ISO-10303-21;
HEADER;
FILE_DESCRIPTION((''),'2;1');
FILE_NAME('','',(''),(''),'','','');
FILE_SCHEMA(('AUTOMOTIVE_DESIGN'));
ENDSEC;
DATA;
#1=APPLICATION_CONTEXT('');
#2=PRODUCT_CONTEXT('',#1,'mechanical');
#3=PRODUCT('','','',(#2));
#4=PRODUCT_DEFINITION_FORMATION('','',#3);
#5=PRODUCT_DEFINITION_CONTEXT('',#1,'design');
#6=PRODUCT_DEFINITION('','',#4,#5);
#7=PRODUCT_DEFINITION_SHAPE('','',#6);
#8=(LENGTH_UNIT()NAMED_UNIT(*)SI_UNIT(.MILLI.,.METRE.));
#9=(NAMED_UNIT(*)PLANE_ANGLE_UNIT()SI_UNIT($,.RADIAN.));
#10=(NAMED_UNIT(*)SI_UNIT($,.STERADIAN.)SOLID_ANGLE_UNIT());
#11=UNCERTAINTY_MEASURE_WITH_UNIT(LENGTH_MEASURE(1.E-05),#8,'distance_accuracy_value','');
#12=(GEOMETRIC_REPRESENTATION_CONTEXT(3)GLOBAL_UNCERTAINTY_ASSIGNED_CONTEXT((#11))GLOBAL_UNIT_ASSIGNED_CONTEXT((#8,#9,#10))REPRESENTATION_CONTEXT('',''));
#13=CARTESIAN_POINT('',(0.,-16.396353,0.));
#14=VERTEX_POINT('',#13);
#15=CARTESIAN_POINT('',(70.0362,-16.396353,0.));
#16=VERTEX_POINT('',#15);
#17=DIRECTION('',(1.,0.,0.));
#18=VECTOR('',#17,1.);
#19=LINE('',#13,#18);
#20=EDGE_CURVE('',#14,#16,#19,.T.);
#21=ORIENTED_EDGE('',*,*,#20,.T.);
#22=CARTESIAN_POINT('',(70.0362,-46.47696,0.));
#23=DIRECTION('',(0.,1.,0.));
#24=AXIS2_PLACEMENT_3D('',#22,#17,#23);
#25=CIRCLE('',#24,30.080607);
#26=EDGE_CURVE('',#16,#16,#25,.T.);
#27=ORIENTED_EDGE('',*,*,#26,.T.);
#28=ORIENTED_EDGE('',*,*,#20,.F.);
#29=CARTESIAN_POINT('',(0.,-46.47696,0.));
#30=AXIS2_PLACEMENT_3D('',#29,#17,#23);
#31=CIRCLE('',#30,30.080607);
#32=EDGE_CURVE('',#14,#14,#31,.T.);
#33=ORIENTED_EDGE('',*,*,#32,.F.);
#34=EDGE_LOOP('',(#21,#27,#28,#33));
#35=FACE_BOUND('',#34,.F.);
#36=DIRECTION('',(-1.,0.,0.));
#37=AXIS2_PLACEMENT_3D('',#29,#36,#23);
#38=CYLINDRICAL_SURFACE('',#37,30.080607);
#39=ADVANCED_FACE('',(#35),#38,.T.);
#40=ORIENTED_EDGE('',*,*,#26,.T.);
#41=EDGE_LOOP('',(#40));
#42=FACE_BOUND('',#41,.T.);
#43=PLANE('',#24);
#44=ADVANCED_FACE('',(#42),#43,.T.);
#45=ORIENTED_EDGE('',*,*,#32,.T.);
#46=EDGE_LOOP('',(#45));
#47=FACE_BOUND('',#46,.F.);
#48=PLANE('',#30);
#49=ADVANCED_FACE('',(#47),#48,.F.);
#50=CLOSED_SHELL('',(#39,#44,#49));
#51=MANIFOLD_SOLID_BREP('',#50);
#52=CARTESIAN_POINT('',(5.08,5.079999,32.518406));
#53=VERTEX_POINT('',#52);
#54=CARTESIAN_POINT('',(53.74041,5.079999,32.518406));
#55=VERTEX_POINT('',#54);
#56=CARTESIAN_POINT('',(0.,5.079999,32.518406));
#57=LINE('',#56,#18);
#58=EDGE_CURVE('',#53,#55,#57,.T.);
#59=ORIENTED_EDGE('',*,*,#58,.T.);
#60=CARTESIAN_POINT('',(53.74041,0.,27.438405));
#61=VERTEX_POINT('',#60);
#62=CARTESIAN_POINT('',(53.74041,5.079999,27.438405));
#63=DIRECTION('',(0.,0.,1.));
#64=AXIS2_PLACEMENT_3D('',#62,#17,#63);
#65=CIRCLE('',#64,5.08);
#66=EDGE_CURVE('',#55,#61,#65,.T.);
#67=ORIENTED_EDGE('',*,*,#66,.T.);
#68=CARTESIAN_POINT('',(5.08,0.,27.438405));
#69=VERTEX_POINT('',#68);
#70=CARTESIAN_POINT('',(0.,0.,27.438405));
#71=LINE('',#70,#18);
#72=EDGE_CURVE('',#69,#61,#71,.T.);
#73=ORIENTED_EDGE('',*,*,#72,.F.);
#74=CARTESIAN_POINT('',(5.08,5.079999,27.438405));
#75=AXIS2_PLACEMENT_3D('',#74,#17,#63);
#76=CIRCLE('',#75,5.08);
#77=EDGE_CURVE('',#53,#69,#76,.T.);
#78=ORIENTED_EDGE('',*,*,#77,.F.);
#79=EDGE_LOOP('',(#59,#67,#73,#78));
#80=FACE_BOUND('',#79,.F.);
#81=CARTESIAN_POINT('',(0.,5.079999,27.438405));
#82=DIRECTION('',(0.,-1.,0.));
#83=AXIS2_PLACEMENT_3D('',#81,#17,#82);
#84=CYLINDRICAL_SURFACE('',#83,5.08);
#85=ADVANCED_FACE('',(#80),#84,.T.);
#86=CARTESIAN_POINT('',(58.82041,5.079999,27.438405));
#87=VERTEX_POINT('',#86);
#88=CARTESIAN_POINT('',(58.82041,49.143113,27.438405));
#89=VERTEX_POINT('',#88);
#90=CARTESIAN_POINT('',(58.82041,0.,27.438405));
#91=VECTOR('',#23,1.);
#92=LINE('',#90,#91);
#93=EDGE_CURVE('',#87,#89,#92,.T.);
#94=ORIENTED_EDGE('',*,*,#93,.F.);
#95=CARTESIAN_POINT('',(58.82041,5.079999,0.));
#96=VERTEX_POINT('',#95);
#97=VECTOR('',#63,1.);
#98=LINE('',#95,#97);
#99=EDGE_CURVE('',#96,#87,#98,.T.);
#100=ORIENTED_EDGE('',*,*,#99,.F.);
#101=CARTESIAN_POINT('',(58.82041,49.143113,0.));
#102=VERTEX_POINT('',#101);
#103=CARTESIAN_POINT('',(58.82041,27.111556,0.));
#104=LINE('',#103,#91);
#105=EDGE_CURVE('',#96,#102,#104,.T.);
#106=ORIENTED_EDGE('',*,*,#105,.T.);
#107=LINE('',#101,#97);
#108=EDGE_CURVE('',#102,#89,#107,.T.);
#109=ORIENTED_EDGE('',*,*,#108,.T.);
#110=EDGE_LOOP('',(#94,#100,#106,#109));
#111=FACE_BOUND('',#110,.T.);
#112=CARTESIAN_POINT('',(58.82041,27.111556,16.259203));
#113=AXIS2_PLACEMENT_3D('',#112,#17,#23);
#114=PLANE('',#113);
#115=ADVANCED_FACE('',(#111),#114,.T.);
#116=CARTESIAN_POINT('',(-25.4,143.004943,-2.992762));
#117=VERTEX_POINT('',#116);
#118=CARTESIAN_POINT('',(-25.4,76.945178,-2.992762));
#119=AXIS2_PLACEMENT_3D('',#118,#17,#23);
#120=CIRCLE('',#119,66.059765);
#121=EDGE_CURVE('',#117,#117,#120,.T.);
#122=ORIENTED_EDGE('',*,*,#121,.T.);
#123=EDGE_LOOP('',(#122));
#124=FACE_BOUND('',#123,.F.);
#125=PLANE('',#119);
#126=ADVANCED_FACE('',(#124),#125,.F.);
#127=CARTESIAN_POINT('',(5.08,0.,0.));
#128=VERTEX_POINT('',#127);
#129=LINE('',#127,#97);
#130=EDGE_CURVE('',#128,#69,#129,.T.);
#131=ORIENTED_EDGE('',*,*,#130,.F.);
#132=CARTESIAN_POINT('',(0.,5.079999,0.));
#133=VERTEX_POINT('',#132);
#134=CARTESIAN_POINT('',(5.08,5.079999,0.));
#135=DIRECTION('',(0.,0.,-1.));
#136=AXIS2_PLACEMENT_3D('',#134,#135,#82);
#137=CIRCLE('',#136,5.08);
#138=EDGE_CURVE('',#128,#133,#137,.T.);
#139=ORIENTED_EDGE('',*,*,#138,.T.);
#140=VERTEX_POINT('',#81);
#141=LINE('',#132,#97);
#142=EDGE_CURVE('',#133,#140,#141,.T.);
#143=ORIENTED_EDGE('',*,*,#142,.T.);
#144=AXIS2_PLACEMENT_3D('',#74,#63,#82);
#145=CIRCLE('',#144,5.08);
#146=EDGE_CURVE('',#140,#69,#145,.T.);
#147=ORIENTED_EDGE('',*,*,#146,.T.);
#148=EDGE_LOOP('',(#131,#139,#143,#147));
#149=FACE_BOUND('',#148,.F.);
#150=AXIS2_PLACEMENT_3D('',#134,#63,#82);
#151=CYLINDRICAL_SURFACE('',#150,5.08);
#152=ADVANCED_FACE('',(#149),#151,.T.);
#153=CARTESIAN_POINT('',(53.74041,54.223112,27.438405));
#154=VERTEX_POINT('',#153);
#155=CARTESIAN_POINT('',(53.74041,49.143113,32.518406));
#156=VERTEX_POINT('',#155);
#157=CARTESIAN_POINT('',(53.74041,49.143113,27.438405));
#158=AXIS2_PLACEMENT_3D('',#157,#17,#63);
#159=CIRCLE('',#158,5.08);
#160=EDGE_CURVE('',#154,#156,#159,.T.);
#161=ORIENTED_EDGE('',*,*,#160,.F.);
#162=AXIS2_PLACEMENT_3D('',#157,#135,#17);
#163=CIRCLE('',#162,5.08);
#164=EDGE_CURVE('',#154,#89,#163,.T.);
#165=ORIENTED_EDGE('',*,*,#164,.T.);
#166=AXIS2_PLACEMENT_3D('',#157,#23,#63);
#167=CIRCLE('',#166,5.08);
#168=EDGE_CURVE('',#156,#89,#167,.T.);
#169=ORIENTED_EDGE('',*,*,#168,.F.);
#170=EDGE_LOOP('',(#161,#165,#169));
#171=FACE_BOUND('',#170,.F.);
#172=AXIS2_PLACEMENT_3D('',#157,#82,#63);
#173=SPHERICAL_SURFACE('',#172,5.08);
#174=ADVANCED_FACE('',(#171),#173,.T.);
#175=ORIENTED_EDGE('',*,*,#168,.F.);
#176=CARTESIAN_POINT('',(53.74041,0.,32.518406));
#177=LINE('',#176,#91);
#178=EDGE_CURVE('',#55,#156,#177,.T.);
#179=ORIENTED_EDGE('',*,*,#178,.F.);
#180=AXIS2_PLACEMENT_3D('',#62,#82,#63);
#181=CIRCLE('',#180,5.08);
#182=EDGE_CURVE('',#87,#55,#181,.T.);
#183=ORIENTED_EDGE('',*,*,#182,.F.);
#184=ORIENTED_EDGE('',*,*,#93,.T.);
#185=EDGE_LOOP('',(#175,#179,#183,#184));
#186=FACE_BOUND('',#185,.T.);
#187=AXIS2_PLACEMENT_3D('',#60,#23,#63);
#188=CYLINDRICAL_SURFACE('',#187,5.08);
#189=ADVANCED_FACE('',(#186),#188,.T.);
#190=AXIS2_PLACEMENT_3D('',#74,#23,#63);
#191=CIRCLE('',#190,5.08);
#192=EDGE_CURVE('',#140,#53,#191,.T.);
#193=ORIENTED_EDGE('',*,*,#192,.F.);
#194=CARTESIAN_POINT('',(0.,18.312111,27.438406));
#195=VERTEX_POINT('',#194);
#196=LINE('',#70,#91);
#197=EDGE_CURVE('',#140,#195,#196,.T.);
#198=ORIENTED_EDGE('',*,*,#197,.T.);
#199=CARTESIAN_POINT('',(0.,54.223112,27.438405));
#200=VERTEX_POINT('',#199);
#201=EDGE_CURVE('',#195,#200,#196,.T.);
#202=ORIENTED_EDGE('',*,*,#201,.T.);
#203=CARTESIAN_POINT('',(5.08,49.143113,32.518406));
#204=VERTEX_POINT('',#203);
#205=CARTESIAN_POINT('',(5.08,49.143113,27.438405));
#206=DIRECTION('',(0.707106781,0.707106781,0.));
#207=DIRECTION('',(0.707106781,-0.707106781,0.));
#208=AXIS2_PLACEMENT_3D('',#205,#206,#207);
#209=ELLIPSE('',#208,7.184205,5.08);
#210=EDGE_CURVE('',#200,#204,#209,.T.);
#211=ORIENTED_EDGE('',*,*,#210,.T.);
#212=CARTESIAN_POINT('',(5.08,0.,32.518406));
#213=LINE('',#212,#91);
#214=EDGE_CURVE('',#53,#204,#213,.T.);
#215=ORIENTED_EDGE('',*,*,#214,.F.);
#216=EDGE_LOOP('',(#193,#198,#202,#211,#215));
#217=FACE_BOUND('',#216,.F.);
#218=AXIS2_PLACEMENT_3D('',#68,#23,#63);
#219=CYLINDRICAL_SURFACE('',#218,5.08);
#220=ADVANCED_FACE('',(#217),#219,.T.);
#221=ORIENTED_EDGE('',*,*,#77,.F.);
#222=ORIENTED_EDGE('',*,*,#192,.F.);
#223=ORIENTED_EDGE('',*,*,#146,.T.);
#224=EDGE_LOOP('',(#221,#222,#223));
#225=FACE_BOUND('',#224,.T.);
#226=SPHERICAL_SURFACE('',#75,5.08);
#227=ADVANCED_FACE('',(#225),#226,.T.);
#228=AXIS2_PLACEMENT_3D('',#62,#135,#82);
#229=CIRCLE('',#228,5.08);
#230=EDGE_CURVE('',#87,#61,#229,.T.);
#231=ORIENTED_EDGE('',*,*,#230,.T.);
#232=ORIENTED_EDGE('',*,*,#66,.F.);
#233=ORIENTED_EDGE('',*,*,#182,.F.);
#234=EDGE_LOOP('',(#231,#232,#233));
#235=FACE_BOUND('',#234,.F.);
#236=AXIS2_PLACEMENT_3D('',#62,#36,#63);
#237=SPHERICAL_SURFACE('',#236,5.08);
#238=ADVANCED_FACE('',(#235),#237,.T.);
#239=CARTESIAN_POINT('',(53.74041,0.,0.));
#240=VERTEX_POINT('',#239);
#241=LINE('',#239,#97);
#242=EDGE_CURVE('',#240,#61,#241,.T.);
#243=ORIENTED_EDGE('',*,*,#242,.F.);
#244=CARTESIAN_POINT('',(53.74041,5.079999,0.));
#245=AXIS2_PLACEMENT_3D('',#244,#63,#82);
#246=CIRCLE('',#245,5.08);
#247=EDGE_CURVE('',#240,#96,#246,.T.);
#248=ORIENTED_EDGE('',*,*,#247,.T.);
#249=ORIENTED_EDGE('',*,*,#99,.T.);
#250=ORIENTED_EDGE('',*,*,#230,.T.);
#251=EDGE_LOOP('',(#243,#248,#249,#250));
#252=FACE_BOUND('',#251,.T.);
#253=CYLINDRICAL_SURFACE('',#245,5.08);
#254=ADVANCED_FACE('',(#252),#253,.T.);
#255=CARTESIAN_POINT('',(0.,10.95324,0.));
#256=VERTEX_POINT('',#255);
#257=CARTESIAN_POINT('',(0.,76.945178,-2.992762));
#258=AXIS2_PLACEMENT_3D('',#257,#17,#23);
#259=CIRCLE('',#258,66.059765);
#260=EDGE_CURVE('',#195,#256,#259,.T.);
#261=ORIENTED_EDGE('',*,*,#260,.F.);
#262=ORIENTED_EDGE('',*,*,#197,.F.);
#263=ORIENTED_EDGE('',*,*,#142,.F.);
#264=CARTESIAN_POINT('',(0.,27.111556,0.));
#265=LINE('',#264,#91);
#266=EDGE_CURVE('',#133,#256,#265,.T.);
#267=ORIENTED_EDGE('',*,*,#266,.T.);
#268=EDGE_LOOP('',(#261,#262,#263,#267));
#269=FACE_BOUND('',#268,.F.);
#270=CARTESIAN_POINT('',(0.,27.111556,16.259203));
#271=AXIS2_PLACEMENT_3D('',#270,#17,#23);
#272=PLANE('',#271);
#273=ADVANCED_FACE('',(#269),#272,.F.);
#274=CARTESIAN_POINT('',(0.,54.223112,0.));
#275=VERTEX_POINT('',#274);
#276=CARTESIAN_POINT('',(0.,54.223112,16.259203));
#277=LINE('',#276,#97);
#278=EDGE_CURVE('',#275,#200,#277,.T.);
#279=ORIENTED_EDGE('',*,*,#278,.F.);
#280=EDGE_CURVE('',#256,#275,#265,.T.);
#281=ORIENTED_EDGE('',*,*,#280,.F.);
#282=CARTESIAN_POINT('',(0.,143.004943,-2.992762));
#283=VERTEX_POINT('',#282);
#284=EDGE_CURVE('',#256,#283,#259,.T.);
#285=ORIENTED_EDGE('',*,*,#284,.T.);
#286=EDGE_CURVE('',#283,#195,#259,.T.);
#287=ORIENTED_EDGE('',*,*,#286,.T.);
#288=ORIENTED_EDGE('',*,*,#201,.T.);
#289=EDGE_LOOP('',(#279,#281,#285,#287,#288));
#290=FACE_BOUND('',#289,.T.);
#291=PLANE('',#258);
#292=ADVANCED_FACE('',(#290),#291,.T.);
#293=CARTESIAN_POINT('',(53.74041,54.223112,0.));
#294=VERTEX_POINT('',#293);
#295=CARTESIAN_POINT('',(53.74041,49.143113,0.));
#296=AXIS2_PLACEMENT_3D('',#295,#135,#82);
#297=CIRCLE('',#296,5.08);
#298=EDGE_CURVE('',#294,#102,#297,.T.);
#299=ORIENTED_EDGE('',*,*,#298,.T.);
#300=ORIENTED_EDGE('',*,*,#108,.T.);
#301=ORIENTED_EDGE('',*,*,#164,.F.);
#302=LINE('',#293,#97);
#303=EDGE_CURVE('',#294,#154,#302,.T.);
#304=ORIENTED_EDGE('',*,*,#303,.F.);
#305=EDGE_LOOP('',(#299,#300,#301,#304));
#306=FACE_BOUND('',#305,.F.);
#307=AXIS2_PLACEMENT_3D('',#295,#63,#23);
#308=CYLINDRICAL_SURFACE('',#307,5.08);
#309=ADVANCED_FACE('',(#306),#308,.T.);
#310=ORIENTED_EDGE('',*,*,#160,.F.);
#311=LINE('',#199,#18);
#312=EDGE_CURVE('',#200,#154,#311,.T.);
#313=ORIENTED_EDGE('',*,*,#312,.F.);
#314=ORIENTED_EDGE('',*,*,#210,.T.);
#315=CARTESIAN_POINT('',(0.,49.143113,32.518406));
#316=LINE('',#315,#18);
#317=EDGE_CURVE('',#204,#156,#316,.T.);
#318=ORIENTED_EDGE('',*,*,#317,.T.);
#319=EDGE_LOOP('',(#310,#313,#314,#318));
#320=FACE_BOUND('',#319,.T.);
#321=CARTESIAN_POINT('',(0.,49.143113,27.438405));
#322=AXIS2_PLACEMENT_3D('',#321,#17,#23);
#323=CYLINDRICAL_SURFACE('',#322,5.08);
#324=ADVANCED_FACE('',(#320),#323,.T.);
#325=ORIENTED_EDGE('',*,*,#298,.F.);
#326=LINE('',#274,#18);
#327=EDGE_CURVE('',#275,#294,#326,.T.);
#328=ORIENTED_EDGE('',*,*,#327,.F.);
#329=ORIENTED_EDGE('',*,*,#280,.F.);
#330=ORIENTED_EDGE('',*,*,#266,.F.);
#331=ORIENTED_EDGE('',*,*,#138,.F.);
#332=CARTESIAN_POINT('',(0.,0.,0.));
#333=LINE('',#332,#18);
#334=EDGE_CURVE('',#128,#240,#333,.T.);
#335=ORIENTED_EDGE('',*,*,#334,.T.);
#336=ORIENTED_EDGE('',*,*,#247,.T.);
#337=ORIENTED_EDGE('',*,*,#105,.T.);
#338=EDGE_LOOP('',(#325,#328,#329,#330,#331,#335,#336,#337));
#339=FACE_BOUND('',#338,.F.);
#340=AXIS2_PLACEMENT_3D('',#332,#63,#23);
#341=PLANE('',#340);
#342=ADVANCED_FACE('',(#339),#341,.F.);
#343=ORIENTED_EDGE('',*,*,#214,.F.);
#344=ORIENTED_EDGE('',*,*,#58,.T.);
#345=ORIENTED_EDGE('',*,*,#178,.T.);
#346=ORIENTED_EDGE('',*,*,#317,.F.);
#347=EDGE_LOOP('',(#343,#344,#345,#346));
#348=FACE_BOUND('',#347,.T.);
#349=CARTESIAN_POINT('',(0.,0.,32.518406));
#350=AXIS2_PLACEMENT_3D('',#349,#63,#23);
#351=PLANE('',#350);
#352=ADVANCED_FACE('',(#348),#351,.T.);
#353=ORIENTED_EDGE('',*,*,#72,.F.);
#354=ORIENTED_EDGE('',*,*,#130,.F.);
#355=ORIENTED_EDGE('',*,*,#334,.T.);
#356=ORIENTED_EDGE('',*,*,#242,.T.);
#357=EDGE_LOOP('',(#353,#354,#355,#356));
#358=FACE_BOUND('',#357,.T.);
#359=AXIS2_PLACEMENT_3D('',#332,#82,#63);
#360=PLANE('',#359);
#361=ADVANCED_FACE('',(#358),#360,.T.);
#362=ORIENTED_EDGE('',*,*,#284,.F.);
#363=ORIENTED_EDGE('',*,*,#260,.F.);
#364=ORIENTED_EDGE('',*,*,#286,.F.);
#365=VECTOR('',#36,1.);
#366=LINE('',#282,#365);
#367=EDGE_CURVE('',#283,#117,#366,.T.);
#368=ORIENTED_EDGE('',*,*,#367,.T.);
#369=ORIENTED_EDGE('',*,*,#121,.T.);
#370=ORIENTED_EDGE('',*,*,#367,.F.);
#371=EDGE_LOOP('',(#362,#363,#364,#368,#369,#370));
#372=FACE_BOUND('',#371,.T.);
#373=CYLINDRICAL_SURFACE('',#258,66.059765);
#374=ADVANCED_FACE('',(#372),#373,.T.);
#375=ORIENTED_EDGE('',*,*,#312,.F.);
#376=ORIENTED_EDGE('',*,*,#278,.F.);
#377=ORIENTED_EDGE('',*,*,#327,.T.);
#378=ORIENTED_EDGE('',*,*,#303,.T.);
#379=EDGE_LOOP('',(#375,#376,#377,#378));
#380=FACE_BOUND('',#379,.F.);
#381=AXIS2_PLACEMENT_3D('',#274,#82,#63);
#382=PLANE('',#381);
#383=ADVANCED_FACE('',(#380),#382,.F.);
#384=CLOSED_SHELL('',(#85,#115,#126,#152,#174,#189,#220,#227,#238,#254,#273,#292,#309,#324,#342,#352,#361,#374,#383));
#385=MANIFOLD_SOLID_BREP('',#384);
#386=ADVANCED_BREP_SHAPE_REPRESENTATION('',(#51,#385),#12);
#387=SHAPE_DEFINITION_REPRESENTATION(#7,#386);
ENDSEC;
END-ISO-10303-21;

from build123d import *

# Parameters (mm, degrees)
F0_W     = 54.223113
F0_H     = 32.518405
F1_DEPTH = 58.82041
F2_R     = 5.08
F3_R     = 30.080607
F4_DEPTH = 70.0362
F5_R     = 66.059765
F6_DEPTH = 25.4


with BuildPart() as f1:
    # F0 (on Right) → F1 (new body)
    with BuildSketch(Plane.YZ):
        with Locations((27.111556, 16.259203)):
            Rectangle(F0_W, F0_H)
    extrude(amount=F1_DEPTH)

    # F2
    f2_edges = [f1.edges().sort_by_distance(p)[0] for p in [
        (29.410205, 0, 32.518405),
        (58.82041, 27.111556, 32.518405),
        (29.410205, 54.223113, 32.518405),
        (0, 27.111556, 32.518405),
        (58.82041, 0, 16.259203),
        (58.82041, 54.223113, 16.259203),
        (0, 0, 16.259203),
    ]]
    fillet(f2_edges, radius=F2_R)

    # F5 (on Right) → F6 (join)
    with BuildSketch(Plane.YZ):
        with Locations((76.945178, -2.992762)):
            Circle(F5_R)
    extrude(amount=-F6_DEPTH)


with BuildPart() as f4:
    # F3 (on Right) → F4 (new body)
    with BuildSketch(Plane.YZ):
        with Locations((-46.47696, 0)):
            Circle(F3_R)
    extrude(amount=F4_DEPTH)


solid = Compound([f1.part, f4.part])
